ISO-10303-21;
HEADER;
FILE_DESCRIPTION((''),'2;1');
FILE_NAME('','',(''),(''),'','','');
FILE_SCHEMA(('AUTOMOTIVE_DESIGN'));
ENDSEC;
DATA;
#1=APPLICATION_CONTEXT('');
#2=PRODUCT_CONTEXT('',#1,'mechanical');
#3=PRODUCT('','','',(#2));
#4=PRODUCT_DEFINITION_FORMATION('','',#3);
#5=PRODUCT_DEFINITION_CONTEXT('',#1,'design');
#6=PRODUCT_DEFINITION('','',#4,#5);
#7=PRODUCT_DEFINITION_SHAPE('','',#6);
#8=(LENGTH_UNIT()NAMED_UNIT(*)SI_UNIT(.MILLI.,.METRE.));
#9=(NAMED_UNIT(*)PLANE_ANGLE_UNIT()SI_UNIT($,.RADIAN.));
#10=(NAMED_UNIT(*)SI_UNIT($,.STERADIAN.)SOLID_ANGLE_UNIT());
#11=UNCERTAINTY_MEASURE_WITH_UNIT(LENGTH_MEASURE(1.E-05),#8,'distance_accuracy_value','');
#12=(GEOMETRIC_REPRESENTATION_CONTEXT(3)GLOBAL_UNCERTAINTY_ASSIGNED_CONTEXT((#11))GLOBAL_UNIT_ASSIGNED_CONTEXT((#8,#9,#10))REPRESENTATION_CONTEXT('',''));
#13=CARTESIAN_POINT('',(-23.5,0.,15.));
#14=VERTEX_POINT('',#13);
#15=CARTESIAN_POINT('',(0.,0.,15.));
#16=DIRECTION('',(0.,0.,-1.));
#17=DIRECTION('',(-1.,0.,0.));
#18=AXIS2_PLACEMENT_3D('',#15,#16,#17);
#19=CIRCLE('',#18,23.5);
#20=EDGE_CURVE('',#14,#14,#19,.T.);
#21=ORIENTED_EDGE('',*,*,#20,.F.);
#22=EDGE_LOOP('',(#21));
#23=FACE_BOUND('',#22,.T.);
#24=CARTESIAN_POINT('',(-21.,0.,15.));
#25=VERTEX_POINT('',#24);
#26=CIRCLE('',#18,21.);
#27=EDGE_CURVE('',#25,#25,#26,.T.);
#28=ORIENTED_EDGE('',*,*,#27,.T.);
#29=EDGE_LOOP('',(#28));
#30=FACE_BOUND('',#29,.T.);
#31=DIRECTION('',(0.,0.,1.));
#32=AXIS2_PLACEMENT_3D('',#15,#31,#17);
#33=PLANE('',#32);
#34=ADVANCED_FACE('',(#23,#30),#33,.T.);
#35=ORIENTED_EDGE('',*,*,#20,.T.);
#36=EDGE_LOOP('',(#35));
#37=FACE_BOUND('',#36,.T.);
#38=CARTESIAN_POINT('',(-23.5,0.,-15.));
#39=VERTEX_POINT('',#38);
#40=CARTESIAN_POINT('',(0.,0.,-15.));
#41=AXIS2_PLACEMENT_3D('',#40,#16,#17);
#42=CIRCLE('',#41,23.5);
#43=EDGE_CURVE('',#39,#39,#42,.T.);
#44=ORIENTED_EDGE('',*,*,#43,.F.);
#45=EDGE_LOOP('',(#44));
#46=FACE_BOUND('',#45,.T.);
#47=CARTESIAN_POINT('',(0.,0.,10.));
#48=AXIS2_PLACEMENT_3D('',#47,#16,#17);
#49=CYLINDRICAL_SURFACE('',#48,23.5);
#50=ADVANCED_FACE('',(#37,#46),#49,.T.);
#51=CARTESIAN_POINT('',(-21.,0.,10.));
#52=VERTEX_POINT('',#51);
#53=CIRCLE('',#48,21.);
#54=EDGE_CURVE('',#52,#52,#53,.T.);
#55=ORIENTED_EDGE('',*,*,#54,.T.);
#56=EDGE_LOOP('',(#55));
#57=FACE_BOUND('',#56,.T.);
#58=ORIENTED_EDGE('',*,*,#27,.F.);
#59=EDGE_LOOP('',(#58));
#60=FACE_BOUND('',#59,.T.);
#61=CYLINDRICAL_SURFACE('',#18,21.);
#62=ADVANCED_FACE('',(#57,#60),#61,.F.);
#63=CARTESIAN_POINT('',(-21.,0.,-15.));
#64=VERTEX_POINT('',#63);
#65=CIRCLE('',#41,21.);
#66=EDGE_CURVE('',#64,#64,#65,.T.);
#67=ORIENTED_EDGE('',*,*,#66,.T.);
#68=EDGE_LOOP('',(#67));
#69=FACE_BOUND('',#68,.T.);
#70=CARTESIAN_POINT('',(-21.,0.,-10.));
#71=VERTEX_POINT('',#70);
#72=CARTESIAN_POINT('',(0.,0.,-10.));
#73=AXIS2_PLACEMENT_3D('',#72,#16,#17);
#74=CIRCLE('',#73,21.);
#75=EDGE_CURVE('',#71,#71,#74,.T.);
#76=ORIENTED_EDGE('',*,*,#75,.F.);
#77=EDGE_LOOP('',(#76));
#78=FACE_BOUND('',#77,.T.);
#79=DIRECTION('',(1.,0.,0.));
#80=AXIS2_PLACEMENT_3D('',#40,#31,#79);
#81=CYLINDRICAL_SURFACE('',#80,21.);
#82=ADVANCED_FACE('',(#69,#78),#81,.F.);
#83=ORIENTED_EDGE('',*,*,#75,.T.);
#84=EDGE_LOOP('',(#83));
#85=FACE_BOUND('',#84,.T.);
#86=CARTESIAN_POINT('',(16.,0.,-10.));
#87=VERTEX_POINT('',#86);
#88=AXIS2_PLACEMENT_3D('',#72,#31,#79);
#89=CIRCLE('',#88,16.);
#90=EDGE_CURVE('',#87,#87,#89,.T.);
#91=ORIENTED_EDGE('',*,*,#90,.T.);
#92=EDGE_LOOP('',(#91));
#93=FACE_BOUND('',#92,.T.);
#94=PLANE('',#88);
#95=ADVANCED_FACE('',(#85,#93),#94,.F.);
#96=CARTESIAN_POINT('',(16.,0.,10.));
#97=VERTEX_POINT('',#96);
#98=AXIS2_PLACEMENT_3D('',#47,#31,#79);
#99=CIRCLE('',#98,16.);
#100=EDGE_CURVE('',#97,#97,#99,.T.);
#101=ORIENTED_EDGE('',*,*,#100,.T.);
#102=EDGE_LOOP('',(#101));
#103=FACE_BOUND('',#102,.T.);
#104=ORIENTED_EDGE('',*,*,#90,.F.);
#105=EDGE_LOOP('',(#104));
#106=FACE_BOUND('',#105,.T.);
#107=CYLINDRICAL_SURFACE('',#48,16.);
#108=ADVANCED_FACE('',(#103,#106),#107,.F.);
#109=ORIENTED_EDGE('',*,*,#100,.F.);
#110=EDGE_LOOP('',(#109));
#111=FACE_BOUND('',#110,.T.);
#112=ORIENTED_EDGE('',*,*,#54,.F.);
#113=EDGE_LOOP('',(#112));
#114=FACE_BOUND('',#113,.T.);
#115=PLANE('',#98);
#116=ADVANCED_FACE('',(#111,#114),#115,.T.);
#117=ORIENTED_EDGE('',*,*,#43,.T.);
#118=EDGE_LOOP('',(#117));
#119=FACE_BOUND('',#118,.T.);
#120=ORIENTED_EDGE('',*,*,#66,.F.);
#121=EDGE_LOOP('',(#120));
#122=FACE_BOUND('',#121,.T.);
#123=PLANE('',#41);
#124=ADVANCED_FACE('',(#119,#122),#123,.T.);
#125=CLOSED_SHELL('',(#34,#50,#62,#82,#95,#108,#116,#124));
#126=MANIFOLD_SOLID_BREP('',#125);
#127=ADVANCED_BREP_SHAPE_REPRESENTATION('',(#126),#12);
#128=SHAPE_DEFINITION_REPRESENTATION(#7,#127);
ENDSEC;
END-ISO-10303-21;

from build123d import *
from build123d.topology import SkipClean

# Parameters (mm, degrees)
SKETCH1_R           = 23.5
SKETCH1_R_2         = 16
BOSS_EXTRUDE1_DEPTH = 10
SKETCH2_R           = 23.5
SKETCH2_R_2         = 21
BOSS_EXTRUDE2_DEPTH = 5


with BuildPart() as part:
    # Sketch1 → Boss-Extrude1 (new, symmetric)
    with BuildSketch(Plane.XY):
        Circle(SKETCH1_R)
        Circle(SKETCH1_R_2, mode=Mode.SUBTRACT)
    extrude(amount=BOSS_EXTRUDE1_DEPTH, both=True)

    # Sketch2 → Boss-Extrude2 (add)
    with BuildSketch(Plane(origin=(0, 0, -10), x_dir=(-1, 0, 0), z_dir=(0, 0, -1))):
        Circle(SKETCH2_R)
        Circle(SKETCH2_R_2, mode=Mode.SUBTRACT)
    boss_extrude2 = extrude(amount=BOSS_EXTRUDE2_DEPTH)

    # Mirror1: Boss-Extrude2 across plane
    with SkipClean():  # the faces are left unmerged after this step: merging them gives an invalid solid
        add(boss_extrude2.mirror(Plane.XY))


solid = part.part
